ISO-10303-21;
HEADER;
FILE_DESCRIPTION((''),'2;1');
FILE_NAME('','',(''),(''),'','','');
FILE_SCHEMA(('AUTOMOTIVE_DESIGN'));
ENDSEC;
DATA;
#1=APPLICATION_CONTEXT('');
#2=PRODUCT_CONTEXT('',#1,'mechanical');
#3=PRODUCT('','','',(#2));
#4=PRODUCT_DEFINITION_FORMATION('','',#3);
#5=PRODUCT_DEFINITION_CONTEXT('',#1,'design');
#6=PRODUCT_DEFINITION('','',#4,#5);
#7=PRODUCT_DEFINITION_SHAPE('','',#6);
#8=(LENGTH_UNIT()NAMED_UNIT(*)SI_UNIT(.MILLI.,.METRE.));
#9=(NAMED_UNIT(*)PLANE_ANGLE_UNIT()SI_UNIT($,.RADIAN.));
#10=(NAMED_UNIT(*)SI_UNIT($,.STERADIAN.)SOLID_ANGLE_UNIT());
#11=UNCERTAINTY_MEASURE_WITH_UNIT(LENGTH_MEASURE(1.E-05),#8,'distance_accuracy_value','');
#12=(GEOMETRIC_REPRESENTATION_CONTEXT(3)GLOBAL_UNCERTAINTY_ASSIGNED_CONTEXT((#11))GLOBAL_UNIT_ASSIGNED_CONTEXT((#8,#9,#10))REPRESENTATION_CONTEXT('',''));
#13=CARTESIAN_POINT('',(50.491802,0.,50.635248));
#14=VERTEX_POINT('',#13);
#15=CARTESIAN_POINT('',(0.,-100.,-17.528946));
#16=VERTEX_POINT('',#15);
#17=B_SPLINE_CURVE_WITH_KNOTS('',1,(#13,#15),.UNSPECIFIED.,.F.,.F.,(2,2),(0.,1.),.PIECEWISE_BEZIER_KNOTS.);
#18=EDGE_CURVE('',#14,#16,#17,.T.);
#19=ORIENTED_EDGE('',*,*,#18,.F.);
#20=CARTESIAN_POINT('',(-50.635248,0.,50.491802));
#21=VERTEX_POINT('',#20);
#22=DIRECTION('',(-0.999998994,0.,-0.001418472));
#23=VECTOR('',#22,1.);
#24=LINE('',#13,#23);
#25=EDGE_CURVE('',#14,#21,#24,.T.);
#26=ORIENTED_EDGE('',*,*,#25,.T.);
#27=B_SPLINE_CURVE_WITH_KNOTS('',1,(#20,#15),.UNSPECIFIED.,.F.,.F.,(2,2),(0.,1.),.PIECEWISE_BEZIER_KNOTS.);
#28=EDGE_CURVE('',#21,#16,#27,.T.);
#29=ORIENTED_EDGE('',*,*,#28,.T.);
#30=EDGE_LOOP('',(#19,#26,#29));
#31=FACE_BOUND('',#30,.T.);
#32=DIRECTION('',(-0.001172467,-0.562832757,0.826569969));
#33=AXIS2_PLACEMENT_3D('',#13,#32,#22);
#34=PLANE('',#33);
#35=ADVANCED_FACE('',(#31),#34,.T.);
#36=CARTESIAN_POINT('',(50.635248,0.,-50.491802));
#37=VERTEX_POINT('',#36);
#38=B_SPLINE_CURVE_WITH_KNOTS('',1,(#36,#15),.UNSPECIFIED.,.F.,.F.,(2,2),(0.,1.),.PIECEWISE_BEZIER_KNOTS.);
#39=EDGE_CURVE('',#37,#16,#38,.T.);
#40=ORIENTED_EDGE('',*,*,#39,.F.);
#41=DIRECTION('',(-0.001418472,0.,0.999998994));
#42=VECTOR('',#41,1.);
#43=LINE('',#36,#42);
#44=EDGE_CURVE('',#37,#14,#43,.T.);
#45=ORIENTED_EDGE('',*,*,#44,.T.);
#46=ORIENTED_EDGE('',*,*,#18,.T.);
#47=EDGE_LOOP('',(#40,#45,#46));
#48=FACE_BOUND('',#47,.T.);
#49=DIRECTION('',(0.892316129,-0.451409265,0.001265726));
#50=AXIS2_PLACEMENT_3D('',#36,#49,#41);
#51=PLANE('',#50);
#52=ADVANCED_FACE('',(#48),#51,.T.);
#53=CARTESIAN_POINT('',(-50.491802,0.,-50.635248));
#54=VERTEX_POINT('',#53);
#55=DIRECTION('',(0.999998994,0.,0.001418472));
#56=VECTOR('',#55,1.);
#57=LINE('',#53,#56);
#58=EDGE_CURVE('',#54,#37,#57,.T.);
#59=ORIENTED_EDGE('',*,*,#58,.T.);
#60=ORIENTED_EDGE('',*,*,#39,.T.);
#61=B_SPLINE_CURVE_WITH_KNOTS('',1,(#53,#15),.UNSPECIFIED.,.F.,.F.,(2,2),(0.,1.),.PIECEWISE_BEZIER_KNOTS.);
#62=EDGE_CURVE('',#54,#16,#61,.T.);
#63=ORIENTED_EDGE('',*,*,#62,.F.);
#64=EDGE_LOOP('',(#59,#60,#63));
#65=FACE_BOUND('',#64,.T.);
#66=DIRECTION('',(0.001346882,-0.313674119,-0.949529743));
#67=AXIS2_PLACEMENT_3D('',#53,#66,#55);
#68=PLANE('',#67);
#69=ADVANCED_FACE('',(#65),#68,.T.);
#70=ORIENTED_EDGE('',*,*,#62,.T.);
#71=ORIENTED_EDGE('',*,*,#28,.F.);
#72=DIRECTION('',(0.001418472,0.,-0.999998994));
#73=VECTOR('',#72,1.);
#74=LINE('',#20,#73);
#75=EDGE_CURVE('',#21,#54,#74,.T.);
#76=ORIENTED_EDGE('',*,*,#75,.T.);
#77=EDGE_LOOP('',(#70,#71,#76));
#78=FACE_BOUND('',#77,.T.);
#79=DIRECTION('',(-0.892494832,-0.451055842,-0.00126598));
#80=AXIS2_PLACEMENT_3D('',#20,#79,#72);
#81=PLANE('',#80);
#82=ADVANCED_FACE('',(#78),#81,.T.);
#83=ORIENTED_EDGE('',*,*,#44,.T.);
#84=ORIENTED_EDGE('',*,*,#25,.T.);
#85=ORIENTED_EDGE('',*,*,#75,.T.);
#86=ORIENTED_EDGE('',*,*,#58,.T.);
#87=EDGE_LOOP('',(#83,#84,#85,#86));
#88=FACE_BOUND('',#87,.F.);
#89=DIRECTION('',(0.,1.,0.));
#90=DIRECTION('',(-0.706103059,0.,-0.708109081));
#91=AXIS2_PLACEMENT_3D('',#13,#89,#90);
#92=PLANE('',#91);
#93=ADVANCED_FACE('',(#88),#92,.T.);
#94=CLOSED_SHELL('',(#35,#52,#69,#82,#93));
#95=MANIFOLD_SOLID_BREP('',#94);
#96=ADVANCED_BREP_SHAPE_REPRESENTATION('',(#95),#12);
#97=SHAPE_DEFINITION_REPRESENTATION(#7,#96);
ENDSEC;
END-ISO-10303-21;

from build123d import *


with BuildPart() as f3:
    # F0 (on Front) → F3 section 0
    with BuildSketch(Plane.XZ, mode=Mode.PRIVATE) as f3_s0:
        Polygon((50.491802, 50.635248), (-50.635248, 50.491802), (-50.491802, -50.635248), (50.635248, -50.491802), align=None)
    loft([f3_s0.sketch, Vertex(0, -100, -17.528946)])


solid = f3.part
